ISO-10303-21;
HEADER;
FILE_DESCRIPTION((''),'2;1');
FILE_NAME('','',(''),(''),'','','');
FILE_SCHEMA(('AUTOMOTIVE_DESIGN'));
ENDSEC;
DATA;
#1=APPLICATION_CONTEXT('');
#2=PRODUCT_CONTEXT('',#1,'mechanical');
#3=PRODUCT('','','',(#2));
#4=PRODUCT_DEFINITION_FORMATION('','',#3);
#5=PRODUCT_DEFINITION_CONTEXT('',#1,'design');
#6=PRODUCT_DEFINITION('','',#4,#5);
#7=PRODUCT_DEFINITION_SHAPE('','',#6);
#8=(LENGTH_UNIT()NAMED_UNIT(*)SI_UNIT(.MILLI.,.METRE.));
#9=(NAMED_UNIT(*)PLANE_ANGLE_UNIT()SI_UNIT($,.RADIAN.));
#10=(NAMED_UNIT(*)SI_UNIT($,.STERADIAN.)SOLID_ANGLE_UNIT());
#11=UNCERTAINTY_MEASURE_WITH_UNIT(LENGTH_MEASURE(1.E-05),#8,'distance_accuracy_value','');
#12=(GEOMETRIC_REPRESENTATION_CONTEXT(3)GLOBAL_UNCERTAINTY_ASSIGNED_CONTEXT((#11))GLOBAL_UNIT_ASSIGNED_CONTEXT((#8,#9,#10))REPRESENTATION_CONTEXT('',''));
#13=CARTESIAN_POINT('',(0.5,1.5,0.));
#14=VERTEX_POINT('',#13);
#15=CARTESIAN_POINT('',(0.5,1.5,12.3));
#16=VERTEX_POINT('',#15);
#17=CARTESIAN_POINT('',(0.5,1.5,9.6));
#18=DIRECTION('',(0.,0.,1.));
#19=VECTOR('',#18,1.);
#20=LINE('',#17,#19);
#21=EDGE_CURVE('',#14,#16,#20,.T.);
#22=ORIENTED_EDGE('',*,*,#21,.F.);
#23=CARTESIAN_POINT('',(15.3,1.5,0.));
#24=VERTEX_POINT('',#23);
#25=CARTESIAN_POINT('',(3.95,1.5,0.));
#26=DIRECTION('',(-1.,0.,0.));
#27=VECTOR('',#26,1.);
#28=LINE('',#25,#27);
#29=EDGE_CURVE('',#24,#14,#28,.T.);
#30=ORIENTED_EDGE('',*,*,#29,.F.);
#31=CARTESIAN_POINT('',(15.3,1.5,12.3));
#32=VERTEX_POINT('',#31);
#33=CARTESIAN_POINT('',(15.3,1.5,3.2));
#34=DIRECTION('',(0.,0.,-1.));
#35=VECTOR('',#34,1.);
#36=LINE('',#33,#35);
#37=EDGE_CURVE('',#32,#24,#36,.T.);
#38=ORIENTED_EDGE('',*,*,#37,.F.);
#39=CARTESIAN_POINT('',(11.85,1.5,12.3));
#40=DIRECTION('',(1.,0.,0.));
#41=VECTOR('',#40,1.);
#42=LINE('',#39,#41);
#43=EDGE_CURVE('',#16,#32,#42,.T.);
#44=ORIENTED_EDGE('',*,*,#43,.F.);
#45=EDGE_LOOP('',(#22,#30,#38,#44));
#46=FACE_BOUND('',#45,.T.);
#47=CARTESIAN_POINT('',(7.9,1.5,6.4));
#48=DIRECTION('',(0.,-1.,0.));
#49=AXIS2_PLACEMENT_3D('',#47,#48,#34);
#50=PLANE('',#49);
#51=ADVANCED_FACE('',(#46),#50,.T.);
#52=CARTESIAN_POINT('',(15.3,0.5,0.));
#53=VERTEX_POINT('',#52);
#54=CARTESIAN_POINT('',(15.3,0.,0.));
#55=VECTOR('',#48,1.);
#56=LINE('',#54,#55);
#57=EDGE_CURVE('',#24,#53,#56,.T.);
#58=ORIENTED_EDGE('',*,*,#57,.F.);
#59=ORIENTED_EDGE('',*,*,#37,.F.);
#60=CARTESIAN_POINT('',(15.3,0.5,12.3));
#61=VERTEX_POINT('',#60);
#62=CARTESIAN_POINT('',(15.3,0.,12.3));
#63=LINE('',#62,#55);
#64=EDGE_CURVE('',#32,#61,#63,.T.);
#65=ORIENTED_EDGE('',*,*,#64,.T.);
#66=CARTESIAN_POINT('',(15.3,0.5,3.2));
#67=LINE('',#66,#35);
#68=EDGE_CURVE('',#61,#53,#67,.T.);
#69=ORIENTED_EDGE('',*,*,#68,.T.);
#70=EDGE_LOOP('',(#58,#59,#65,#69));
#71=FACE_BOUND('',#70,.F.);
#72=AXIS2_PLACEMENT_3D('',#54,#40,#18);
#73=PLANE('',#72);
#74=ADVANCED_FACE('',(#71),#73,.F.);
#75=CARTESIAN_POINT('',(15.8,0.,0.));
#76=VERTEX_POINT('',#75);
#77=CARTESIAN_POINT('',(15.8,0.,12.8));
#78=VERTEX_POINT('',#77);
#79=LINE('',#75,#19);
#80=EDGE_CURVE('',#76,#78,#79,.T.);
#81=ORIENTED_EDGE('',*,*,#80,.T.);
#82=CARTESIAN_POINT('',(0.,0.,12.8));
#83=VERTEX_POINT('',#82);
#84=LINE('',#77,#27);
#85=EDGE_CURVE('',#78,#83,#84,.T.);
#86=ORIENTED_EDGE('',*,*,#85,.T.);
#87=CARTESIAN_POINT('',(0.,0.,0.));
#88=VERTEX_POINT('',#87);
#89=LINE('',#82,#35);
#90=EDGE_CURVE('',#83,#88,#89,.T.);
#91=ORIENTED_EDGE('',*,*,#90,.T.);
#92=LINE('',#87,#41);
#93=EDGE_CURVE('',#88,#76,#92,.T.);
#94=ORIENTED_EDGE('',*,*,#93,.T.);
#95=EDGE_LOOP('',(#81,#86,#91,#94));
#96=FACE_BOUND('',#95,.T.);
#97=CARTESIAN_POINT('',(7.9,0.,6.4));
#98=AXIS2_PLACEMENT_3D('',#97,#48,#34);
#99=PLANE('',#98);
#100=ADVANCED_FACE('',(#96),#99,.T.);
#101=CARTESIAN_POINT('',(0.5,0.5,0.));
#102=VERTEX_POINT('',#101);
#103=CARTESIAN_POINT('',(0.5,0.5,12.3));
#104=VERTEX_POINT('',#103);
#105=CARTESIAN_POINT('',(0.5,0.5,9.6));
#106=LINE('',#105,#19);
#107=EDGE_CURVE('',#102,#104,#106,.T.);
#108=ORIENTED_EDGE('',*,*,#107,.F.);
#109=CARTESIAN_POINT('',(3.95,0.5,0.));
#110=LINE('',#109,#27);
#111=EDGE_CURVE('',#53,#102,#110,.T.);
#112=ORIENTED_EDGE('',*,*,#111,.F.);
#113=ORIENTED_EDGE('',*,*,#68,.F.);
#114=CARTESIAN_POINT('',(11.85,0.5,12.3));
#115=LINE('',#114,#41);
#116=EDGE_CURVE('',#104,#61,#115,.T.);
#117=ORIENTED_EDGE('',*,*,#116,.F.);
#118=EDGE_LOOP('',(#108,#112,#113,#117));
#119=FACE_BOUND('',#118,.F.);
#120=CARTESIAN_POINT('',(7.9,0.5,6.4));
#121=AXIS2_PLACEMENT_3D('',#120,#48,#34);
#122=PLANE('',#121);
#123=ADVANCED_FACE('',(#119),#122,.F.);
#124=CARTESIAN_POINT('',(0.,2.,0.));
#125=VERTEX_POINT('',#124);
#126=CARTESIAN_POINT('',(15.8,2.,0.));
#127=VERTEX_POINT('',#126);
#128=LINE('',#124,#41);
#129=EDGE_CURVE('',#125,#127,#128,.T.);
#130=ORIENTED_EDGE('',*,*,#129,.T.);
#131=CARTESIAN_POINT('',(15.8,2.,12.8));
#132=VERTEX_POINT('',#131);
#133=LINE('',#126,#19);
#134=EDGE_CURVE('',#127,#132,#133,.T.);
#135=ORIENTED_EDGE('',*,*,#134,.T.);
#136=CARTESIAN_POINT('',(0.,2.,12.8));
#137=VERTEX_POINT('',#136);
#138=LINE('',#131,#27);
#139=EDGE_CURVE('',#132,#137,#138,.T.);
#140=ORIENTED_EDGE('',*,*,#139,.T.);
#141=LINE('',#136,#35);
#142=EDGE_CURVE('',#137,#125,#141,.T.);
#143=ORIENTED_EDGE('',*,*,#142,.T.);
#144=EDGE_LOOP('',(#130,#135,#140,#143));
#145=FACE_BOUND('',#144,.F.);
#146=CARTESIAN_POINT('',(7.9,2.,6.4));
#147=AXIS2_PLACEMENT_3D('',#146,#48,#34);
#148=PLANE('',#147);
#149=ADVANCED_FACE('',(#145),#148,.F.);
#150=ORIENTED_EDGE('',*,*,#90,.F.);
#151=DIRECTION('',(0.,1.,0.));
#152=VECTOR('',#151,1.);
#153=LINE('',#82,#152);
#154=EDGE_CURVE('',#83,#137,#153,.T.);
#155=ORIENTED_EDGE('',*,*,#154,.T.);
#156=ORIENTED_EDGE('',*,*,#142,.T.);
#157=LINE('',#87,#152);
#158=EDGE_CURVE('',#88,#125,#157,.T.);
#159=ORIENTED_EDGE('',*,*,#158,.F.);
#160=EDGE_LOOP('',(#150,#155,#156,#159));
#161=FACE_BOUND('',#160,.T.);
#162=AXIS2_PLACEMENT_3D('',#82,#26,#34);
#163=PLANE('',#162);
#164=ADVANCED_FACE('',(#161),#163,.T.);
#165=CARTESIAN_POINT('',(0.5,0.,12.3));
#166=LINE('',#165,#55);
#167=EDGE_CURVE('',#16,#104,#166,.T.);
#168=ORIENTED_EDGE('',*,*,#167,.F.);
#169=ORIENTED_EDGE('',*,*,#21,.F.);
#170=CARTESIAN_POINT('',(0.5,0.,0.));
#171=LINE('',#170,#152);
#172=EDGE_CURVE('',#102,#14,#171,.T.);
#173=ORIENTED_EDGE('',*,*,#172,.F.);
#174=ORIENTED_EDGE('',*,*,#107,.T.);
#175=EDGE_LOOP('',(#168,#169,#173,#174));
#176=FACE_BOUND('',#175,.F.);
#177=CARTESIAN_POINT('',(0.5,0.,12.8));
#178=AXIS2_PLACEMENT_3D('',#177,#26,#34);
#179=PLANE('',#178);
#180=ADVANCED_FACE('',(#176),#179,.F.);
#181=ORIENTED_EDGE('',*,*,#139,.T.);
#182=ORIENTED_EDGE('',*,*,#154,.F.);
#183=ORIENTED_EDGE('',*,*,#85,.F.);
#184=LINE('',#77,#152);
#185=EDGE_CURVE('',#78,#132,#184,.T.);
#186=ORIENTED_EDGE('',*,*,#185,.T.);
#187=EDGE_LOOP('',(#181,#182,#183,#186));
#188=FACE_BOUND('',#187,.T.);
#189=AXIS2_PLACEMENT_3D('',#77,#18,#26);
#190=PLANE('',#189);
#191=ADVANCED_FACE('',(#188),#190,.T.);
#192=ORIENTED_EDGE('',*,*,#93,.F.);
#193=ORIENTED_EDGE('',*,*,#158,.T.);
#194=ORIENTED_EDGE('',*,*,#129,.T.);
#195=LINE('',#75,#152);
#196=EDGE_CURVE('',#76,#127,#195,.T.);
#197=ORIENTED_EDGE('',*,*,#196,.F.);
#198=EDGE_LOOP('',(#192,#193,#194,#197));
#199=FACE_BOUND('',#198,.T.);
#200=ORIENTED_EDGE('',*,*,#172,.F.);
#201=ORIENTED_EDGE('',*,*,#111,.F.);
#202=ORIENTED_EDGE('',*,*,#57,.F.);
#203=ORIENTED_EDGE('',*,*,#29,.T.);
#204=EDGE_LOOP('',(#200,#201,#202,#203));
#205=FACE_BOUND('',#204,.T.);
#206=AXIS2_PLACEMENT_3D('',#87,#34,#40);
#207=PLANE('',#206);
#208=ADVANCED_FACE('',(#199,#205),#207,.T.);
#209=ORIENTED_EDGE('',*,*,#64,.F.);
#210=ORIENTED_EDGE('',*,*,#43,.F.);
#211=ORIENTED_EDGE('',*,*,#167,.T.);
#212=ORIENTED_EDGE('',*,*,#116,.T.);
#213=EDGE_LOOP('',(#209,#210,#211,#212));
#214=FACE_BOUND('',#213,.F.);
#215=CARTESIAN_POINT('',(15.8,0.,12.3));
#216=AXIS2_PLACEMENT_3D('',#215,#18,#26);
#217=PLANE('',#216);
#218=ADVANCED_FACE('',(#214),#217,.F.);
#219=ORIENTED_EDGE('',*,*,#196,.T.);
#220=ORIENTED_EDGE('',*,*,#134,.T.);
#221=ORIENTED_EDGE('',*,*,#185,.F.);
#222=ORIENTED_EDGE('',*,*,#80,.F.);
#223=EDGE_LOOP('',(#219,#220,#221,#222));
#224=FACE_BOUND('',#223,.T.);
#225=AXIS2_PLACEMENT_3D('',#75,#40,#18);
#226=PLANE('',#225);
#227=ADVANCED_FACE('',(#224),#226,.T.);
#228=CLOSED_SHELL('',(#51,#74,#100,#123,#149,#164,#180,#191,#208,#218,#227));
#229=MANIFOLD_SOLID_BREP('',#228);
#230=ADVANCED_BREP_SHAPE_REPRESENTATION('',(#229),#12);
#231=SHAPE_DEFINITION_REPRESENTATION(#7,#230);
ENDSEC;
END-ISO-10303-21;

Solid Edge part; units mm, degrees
sketch "Sketch1" plane through (0, 0, 0) normal (0, -1, 0) x (1, 0, 0)
  line L0 (15.8, 0) -> (15.8, 12.8)
  line L1 (15.8, 12.8) -> (0, 12.8)
  line L2 (0, 12.8) -> (0, 0)
  line L3 (0, 0) -> (15.8, 0)
extrude "Protrusion1" add sketch "Sketch1" against normal blind 2
shell "Dünnwand_1" thickness 0.5 removed faces 1 at (2.4753, 1.6467, 0)
